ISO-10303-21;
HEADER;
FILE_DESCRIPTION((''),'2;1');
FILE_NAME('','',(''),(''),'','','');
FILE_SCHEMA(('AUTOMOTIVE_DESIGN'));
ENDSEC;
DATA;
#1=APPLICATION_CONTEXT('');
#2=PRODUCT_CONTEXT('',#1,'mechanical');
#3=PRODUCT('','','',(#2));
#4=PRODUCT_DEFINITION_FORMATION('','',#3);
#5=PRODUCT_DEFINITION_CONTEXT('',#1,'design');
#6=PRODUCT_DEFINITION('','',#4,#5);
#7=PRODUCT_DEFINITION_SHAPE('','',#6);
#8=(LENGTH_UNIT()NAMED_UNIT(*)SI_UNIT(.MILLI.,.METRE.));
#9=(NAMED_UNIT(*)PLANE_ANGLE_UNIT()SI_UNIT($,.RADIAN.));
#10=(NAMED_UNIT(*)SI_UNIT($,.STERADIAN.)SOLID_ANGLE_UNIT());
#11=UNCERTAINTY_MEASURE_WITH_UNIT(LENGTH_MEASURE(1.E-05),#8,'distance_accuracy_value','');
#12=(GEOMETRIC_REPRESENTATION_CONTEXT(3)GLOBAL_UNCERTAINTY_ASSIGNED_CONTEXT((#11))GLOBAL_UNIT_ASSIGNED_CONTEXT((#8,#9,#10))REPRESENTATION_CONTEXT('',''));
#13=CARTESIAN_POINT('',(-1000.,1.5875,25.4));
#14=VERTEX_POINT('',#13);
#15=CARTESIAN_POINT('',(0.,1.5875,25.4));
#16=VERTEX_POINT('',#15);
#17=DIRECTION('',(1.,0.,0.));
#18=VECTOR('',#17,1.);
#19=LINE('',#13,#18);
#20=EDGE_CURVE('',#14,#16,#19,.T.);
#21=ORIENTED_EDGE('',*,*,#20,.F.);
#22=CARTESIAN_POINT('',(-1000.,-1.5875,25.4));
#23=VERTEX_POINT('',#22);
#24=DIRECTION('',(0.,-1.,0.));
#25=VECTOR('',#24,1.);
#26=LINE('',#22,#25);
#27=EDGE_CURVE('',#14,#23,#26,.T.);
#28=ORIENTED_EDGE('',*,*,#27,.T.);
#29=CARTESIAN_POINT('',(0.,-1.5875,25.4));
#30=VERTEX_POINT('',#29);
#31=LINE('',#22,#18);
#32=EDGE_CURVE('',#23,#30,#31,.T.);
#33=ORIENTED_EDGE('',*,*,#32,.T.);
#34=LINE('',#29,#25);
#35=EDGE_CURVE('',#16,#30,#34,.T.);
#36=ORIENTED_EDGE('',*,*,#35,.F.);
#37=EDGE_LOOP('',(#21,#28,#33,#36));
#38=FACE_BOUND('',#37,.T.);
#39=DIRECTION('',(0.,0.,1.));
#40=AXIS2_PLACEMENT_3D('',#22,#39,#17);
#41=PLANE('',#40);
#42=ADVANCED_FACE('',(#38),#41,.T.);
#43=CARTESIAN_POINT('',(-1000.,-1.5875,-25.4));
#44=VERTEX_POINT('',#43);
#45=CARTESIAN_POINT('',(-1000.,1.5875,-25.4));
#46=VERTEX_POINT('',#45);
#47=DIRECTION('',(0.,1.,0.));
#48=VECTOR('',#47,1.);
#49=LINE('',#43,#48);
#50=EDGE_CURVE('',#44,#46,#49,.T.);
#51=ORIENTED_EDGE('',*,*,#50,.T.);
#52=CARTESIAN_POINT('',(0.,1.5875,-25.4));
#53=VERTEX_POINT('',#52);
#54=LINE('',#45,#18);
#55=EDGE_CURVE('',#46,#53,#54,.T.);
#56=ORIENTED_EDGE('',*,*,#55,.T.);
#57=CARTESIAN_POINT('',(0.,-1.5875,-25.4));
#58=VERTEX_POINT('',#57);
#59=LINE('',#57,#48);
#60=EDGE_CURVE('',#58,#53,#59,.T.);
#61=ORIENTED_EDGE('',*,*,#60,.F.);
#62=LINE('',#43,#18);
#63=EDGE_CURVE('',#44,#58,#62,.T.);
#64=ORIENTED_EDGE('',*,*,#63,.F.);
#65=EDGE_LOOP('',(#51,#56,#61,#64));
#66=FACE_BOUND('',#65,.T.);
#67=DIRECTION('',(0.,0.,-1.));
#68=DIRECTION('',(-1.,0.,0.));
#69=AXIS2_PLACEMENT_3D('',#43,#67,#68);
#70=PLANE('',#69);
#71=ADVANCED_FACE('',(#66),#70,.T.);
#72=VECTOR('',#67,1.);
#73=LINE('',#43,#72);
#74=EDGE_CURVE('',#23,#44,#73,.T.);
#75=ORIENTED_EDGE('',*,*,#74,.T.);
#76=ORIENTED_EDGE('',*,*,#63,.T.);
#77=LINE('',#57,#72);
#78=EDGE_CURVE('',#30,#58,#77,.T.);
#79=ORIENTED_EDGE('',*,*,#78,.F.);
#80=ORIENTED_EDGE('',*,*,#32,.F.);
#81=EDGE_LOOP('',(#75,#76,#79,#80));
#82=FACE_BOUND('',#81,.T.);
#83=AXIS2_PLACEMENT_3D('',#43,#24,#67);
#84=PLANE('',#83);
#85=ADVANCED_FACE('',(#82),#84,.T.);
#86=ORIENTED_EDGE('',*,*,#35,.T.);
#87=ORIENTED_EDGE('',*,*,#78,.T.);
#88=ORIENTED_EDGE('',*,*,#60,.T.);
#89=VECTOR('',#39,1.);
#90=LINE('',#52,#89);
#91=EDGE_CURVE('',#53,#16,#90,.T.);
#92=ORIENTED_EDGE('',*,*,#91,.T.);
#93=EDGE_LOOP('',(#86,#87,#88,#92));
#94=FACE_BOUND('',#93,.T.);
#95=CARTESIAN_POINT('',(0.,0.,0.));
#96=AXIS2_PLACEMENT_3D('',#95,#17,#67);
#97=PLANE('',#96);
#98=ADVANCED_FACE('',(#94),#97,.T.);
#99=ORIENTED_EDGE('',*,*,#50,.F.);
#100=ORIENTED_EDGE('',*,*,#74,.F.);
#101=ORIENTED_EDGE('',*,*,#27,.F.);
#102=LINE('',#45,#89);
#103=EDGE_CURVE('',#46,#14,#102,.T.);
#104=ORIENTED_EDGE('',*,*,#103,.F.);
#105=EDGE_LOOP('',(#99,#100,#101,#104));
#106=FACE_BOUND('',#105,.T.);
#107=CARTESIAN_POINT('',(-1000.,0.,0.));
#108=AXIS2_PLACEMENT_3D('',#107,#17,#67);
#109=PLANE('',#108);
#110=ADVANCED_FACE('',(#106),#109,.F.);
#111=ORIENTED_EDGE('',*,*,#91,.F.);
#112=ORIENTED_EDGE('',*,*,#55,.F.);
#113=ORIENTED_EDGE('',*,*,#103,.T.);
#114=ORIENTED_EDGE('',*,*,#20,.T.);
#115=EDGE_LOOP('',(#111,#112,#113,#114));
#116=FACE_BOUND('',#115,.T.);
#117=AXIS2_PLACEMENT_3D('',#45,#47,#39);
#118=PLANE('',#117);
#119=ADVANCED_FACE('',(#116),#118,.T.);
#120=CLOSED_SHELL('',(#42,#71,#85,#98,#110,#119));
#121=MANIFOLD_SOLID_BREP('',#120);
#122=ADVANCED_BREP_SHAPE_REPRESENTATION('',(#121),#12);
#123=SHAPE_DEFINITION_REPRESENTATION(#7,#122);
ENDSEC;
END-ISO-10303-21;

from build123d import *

# Parameters (mm, degrees)
CROQUIS1_W              = 50.8
CROQUIS1_H              = 3.175
SALIENTE_EXTRUIR1_DEPTH = 1000


with BuildPart() as part:
    # Croquis1 → Saliente-Extruir1 (new body)
    with BuildSketch(Plane(origin=(0, 0, 0), x_dir=(0, 0, -1), z_dir=(1, 0, 0))):
        Rectangle(CROQUIS1_W, CROQUIS1_H)
    extrude(amount=-SALIENTE_EXTRUIR1_DEPTH)


solid = part.part
